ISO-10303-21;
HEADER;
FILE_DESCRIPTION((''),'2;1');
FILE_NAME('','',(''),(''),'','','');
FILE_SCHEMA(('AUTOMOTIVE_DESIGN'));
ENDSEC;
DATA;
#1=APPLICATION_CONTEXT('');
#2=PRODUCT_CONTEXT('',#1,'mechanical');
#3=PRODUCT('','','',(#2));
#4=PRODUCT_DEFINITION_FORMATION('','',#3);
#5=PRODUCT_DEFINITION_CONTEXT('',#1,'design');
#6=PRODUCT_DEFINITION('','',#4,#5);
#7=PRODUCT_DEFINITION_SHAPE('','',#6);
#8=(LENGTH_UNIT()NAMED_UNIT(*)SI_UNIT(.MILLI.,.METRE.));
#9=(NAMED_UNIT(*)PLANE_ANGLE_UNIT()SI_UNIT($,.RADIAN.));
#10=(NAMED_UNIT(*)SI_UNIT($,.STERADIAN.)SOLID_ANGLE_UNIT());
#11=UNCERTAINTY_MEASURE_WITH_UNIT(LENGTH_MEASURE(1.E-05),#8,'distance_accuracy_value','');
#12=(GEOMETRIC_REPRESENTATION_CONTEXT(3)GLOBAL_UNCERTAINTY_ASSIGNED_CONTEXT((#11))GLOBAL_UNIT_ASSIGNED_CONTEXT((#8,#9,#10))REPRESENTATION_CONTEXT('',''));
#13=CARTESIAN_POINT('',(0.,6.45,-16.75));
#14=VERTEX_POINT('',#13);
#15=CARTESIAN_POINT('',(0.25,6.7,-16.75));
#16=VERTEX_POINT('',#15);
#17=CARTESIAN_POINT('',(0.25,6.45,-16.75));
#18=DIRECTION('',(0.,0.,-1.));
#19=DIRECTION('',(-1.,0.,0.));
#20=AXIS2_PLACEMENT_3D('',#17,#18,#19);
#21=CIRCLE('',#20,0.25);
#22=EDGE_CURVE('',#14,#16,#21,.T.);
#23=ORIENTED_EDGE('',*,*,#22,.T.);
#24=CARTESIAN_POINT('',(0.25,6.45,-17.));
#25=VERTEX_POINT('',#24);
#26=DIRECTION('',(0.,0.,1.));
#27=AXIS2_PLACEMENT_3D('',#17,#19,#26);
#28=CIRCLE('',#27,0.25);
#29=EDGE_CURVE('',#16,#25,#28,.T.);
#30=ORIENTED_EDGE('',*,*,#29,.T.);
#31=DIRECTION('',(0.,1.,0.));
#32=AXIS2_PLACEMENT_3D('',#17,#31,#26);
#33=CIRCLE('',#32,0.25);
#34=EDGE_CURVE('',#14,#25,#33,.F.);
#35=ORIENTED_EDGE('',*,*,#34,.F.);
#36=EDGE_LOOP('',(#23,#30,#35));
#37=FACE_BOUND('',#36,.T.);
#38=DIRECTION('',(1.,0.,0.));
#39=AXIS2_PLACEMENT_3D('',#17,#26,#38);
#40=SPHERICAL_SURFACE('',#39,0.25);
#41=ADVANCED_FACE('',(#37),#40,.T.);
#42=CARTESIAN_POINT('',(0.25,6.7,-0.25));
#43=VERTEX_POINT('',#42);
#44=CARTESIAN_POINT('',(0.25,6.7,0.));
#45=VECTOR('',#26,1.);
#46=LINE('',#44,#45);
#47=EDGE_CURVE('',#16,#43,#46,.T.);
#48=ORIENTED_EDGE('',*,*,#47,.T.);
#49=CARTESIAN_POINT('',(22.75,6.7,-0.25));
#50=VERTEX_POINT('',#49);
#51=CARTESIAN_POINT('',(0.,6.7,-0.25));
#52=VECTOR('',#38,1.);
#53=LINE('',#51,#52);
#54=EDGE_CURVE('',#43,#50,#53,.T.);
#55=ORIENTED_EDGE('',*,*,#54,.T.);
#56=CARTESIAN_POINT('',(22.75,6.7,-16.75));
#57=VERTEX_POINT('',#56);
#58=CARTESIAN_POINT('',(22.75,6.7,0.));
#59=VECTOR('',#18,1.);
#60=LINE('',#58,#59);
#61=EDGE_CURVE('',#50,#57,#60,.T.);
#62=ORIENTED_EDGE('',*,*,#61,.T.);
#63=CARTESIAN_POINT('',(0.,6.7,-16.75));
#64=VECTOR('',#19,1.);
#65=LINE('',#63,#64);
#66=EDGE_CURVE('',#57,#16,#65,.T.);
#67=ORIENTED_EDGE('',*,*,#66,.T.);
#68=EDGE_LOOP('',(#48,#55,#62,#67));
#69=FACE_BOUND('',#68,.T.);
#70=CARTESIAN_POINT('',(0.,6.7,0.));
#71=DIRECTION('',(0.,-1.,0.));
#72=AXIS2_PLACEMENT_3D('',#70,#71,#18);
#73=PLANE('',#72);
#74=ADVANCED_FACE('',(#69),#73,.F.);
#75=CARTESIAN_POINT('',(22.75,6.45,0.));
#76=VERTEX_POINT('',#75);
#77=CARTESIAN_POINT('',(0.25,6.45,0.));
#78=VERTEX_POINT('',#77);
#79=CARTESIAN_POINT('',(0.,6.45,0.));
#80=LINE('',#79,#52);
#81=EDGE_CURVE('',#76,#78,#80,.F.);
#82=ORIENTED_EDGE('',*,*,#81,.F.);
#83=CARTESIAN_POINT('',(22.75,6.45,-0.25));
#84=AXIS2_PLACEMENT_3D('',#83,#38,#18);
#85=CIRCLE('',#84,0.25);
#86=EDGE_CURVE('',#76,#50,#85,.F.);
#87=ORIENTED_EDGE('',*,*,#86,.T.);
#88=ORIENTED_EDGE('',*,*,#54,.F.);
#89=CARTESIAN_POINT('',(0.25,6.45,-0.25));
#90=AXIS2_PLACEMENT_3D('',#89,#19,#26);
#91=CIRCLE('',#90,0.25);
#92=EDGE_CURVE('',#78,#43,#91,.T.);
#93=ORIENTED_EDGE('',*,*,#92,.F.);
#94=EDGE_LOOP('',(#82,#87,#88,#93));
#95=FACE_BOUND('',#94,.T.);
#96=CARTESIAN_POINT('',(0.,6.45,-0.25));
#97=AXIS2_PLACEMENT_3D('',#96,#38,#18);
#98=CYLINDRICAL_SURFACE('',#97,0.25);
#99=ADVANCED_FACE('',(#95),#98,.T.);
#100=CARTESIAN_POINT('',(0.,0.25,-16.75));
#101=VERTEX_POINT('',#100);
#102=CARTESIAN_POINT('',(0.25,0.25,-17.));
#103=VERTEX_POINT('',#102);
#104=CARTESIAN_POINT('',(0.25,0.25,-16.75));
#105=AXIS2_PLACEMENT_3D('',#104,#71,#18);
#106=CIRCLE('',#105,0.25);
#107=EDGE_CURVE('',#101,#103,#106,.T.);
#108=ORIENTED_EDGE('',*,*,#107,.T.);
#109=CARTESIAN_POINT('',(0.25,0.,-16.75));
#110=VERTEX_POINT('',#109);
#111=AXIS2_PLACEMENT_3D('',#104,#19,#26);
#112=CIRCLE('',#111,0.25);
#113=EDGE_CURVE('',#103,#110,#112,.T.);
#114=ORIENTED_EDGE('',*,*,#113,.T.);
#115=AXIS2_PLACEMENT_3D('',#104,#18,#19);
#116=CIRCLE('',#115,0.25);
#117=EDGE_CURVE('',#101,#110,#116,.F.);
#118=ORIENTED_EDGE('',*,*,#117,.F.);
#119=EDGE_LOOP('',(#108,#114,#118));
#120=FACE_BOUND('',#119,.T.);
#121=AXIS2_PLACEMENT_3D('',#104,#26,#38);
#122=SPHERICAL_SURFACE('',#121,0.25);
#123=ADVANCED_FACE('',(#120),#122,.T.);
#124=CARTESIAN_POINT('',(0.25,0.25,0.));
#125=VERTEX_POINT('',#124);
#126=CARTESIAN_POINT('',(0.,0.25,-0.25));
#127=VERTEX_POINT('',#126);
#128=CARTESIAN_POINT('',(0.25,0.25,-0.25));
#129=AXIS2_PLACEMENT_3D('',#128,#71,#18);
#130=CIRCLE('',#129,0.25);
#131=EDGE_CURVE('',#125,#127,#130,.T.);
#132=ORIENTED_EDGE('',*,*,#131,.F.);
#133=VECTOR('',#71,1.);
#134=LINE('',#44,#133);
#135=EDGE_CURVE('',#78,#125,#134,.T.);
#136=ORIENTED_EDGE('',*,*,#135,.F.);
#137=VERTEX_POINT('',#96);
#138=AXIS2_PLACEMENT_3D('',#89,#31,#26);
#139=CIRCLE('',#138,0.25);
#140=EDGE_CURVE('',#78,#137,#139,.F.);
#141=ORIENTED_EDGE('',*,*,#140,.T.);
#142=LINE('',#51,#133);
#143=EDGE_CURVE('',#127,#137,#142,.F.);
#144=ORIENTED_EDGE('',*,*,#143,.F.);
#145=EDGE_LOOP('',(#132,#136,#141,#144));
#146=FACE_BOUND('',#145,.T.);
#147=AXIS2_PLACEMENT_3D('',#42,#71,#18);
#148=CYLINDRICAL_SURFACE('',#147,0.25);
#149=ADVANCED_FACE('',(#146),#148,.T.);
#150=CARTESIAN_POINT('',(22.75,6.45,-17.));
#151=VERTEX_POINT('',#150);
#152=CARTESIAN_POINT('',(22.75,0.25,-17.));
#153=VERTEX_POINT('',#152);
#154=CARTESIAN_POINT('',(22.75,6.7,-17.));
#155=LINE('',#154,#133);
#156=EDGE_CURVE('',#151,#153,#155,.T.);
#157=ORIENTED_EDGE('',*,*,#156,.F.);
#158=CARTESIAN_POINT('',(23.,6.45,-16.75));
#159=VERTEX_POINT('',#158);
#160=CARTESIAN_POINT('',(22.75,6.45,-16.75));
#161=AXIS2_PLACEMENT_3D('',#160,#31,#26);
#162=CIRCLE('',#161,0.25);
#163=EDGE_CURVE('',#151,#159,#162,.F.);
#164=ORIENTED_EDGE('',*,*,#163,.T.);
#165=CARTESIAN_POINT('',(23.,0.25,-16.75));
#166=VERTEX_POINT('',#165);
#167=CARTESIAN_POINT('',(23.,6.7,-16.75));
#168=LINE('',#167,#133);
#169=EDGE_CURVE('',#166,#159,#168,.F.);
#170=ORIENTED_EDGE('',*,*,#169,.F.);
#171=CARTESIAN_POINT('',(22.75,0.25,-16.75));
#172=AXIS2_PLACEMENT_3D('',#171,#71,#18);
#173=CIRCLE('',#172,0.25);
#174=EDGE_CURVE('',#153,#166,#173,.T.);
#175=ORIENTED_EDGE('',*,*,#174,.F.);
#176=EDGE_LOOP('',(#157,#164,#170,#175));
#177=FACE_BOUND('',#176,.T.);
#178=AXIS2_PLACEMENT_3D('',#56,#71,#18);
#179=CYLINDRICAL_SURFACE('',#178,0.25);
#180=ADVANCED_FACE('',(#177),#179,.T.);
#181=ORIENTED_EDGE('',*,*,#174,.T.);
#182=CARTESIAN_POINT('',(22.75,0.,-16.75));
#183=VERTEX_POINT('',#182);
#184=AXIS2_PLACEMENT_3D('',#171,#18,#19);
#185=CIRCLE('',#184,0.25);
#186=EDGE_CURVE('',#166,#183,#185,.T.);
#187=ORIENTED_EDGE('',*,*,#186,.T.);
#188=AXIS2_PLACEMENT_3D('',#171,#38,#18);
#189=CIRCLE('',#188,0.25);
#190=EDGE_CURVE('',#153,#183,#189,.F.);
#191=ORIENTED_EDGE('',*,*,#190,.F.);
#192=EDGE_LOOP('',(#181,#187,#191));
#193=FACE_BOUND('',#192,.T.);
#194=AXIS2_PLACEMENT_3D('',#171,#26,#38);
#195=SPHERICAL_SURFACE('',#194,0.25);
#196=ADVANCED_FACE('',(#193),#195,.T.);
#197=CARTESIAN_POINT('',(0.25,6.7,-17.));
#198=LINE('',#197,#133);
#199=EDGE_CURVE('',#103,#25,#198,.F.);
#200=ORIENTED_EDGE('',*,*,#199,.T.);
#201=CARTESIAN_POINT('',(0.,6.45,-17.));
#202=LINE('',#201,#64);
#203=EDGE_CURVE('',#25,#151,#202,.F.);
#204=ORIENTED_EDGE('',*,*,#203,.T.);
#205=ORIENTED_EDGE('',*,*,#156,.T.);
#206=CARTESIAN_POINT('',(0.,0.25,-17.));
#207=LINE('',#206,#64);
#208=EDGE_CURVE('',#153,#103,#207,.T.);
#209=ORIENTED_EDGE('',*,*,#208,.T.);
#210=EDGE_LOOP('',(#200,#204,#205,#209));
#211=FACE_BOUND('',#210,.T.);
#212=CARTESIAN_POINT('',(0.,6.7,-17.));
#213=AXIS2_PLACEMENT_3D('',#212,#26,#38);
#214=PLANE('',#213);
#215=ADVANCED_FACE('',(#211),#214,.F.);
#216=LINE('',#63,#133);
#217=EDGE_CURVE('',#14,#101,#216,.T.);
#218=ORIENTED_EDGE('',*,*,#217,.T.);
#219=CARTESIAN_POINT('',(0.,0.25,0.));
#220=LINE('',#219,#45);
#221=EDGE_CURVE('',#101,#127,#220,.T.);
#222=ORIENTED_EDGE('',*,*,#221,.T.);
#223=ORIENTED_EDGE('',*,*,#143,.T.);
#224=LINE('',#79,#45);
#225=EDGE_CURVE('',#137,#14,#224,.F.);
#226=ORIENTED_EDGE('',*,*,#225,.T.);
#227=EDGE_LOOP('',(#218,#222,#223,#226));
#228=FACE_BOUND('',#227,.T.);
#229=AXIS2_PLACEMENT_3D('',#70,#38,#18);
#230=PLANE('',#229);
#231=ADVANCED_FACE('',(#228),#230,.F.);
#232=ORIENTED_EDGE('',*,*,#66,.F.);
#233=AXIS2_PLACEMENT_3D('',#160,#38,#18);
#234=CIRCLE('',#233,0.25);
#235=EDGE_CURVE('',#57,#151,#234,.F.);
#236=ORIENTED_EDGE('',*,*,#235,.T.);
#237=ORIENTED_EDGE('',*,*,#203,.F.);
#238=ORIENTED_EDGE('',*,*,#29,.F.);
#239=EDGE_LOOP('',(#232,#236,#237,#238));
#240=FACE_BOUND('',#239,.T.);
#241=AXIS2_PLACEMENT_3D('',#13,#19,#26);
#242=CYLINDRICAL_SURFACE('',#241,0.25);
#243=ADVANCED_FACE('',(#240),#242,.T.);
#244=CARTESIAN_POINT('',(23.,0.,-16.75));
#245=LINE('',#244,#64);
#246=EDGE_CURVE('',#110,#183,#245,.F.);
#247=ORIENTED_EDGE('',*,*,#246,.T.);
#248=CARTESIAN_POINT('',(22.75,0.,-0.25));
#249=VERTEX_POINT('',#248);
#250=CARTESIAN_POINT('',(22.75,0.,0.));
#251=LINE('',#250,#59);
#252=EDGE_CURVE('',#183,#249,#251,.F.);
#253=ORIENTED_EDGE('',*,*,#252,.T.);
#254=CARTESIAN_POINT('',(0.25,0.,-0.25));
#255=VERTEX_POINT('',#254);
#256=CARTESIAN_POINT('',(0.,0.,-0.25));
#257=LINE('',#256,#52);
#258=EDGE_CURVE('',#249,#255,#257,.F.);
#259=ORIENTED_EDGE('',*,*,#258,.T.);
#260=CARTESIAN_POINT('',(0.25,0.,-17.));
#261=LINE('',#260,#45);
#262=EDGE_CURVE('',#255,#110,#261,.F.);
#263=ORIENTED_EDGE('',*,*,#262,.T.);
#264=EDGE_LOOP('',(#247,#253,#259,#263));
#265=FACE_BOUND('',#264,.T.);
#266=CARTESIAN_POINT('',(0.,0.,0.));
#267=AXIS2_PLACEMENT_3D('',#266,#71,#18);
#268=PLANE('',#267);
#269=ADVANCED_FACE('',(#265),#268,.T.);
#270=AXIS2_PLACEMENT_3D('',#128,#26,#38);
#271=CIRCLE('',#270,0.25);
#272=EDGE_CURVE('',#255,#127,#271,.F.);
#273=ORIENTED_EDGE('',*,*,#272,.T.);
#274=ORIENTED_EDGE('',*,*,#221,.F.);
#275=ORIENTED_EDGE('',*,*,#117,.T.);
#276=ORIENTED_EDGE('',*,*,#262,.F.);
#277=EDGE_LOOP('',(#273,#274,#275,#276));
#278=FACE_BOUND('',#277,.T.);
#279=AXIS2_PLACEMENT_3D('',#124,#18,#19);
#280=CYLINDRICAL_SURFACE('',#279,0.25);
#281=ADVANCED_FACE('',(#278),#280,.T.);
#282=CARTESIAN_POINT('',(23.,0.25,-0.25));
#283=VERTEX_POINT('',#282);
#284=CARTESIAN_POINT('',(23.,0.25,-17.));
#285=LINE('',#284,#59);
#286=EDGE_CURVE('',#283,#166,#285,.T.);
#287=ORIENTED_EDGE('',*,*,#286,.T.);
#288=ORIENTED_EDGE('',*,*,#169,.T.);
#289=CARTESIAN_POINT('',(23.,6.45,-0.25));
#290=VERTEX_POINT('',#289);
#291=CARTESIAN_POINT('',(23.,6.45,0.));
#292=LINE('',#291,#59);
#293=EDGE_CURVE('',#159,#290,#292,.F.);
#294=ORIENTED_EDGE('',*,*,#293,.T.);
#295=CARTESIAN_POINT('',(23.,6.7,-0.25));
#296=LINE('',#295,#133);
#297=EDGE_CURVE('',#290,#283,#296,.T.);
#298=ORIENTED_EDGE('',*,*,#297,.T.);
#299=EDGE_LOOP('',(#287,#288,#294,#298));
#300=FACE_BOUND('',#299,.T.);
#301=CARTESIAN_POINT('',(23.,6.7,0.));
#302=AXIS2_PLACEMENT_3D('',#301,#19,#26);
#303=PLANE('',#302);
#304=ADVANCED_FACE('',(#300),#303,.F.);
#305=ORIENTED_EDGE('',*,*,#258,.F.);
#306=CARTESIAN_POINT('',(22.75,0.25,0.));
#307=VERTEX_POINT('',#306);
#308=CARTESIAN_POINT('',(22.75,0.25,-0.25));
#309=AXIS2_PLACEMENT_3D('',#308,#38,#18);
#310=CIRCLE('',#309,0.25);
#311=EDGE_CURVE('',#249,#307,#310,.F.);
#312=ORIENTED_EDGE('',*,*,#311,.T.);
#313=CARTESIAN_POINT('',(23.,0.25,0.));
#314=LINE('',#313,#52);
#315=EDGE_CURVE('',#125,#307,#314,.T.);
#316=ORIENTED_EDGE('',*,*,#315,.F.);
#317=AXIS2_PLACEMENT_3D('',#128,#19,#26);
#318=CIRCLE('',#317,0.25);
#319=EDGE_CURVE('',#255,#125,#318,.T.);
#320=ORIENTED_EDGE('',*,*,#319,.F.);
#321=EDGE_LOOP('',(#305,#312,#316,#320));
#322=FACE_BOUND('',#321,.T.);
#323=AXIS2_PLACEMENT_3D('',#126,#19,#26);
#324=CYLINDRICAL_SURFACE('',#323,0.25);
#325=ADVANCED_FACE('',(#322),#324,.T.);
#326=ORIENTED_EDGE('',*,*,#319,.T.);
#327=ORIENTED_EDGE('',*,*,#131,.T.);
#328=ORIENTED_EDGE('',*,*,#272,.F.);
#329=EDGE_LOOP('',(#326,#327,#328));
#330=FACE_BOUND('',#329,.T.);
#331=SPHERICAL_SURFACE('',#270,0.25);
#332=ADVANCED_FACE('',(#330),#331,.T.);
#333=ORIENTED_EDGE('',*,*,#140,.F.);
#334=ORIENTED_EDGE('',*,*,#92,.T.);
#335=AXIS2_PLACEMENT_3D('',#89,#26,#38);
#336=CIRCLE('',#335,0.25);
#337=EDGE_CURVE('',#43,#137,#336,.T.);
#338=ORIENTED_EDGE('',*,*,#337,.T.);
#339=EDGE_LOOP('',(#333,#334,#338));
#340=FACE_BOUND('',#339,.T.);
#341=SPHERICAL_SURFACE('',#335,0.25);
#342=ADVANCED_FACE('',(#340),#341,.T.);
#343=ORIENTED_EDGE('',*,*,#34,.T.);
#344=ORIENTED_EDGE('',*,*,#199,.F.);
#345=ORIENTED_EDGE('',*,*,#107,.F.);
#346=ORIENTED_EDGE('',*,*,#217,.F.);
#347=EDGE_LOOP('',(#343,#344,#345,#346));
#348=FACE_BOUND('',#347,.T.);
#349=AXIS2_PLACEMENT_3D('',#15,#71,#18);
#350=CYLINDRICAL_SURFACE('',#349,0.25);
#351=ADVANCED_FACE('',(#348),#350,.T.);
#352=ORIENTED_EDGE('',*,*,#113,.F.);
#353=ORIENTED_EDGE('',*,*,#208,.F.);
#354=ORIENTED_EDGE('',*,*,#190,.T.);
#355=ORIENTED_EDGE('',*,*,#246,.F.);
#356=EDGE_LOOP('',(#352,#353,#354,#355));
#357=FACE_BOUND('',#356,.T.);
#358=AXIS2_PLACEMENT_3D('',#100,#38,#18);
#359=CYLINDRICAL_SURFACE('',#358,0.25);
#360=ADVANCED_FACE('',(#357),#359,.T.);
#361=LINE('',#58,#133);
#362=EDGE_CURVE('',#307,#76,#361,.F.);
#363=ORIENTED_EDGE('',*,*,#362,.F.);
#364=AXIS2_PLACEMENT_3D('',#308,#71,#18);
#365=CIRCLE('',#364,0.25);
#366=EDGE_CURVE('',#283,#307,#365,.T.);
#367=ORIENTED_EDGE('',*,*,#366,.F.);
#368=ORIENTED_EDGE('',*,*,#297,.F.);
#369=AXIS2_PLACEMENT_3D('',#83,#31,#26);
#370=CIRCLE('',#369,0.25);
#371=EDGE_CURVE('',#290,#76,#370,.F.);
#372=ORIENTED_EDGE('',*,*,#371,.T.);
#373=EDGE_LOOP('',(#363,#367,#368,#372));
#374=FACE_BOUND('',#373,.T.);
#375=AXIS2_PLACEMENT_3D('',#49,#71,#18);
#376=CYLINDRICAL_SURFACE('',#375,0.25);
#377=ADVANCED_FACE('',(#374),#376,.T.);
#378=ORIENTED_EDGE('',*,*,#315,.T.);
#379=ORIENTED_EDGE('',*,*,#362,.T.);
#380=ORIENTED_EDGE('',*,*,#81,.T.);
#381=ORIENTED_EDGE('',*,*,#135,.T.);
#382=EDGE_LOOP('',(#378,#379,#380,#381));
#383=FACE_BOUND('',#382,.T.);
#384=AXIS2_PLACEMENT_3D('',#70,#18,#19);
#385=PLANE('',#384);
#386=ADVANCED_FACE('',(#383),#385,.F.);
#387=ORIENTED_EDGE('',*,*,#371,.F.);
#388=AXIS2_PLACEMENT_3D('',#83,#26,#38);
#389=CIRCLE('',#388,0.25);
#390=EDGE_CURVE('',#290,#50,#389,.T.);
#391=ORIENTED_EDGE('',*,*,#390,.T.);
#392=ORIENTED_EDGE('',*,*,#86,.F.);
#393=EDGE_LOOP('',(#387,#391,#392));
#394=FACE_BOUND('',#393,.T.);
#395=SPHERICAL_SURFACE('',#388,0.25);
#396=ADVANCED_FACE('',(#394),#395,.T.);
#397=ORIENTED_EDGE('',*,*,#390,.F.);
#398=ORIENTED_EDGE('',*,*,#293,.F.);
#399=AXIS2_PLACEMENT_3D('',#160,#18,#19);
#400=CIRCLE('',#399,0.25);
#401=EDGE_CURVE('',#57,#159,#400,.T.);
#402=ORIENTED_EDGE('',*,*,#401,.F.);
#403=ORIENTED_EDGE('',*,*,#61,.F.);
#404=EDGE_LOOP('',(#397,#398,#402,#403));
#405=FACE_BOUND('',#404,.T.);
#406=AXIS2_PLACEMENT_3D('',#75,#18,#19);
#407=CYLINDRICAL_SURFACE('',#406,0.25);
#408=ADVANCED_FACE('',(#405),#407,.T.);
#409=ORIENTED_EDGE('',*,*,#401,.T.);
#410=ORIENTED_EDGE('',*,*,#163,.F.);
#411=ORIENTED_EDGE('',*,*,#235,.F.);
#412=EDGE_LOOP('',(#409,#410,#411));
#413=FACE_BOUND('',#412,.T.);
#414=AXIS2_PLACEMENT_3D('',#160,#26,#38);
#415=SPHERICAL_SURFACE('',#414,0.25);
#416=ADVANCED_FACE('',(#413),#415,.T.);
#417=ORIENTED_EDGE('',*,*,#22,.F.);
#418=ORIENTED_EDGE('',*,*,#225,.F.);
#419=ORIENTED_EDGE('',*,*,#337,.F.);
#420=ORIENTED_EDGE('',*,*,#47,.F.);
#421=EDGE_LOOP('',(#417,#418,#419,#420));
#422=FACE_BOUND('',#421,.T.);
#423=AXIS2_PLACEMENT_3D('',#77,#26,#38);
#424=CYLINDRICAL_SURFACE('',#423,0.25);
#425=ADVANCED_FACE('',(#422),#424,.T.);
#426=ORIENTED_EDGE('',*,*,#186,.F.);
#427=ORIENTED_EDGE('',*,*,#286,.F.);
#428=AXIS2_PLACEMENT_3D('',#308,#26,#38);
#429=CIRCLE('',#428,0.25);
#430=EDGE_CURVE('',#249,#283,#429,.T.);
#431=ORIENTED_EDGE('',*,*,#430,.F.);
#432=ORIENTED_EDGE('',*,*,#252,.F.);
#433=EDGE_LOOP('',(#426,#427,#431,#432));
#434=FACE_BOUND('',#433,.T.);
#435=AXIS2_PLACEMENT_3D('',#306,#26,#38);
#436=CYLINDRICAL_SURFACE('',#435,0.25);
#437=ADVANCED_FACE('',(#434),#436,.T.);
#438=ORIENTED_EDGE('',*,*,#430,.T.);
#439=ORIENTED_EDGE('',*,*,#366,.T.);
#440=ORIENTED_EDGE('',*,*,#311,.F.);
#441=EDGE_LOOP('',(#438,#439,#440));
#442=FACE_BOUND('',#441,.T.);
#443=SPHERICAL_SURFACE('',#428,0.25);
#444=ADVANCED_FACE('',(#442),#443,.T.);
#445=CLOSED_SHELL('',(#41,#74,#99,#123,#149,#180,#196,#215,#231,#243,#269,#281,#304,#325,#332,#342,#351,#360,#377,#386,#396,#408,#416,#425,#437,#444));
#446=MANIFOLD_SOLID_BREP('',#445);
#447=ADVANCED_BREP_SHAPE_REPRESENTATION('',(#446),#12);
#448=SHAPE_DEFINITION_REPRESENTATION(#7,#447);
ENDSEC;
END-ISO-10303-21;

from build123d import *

# Parameters (mm, degrees)
SKETCH1_W           = 23
SKETCH1_H           = 17
BOSS_EXTRUDE1_DEPTH = 6.7
FILLET1_R           = 0.25


with BuildPart() as part:
    # Sketch1 → Boss-Extrude1 (new body)
    with BuildSketch(Plane(origin=(0, 0, 0), x_dir=(1, 0, 0), z_dir=(0, 1, 0))):
        with Locations((11.5, 8.5)):
            Rectangle(SKETCH1_W, SKETCH1_H)
    extrude(amount=BOSS_EXTRUDE1_DEPTH)

    # Fillet1
    fillet1_edges = [part.edges().sort_by_distance(p)[0] for p in [
        (23, 6.7, -8.5),
        (11.5, 6.7, -17),
        (0, 6.7, -8.5),
        (11.5, 0, -17),
        (23, 0, -8.5),
        (11.5, 0, 0),
        (0, 0, -8.5),
        (11.5, 6.7, 0),
        (0, 3.35, -17),
        (23, 3.35, -17),
        (23, 3.35, 0),
        (0, 3.35, 0),
    ]]
    fillet(fillet1_edges, radius=FILLET1_R)


solid = part.part
